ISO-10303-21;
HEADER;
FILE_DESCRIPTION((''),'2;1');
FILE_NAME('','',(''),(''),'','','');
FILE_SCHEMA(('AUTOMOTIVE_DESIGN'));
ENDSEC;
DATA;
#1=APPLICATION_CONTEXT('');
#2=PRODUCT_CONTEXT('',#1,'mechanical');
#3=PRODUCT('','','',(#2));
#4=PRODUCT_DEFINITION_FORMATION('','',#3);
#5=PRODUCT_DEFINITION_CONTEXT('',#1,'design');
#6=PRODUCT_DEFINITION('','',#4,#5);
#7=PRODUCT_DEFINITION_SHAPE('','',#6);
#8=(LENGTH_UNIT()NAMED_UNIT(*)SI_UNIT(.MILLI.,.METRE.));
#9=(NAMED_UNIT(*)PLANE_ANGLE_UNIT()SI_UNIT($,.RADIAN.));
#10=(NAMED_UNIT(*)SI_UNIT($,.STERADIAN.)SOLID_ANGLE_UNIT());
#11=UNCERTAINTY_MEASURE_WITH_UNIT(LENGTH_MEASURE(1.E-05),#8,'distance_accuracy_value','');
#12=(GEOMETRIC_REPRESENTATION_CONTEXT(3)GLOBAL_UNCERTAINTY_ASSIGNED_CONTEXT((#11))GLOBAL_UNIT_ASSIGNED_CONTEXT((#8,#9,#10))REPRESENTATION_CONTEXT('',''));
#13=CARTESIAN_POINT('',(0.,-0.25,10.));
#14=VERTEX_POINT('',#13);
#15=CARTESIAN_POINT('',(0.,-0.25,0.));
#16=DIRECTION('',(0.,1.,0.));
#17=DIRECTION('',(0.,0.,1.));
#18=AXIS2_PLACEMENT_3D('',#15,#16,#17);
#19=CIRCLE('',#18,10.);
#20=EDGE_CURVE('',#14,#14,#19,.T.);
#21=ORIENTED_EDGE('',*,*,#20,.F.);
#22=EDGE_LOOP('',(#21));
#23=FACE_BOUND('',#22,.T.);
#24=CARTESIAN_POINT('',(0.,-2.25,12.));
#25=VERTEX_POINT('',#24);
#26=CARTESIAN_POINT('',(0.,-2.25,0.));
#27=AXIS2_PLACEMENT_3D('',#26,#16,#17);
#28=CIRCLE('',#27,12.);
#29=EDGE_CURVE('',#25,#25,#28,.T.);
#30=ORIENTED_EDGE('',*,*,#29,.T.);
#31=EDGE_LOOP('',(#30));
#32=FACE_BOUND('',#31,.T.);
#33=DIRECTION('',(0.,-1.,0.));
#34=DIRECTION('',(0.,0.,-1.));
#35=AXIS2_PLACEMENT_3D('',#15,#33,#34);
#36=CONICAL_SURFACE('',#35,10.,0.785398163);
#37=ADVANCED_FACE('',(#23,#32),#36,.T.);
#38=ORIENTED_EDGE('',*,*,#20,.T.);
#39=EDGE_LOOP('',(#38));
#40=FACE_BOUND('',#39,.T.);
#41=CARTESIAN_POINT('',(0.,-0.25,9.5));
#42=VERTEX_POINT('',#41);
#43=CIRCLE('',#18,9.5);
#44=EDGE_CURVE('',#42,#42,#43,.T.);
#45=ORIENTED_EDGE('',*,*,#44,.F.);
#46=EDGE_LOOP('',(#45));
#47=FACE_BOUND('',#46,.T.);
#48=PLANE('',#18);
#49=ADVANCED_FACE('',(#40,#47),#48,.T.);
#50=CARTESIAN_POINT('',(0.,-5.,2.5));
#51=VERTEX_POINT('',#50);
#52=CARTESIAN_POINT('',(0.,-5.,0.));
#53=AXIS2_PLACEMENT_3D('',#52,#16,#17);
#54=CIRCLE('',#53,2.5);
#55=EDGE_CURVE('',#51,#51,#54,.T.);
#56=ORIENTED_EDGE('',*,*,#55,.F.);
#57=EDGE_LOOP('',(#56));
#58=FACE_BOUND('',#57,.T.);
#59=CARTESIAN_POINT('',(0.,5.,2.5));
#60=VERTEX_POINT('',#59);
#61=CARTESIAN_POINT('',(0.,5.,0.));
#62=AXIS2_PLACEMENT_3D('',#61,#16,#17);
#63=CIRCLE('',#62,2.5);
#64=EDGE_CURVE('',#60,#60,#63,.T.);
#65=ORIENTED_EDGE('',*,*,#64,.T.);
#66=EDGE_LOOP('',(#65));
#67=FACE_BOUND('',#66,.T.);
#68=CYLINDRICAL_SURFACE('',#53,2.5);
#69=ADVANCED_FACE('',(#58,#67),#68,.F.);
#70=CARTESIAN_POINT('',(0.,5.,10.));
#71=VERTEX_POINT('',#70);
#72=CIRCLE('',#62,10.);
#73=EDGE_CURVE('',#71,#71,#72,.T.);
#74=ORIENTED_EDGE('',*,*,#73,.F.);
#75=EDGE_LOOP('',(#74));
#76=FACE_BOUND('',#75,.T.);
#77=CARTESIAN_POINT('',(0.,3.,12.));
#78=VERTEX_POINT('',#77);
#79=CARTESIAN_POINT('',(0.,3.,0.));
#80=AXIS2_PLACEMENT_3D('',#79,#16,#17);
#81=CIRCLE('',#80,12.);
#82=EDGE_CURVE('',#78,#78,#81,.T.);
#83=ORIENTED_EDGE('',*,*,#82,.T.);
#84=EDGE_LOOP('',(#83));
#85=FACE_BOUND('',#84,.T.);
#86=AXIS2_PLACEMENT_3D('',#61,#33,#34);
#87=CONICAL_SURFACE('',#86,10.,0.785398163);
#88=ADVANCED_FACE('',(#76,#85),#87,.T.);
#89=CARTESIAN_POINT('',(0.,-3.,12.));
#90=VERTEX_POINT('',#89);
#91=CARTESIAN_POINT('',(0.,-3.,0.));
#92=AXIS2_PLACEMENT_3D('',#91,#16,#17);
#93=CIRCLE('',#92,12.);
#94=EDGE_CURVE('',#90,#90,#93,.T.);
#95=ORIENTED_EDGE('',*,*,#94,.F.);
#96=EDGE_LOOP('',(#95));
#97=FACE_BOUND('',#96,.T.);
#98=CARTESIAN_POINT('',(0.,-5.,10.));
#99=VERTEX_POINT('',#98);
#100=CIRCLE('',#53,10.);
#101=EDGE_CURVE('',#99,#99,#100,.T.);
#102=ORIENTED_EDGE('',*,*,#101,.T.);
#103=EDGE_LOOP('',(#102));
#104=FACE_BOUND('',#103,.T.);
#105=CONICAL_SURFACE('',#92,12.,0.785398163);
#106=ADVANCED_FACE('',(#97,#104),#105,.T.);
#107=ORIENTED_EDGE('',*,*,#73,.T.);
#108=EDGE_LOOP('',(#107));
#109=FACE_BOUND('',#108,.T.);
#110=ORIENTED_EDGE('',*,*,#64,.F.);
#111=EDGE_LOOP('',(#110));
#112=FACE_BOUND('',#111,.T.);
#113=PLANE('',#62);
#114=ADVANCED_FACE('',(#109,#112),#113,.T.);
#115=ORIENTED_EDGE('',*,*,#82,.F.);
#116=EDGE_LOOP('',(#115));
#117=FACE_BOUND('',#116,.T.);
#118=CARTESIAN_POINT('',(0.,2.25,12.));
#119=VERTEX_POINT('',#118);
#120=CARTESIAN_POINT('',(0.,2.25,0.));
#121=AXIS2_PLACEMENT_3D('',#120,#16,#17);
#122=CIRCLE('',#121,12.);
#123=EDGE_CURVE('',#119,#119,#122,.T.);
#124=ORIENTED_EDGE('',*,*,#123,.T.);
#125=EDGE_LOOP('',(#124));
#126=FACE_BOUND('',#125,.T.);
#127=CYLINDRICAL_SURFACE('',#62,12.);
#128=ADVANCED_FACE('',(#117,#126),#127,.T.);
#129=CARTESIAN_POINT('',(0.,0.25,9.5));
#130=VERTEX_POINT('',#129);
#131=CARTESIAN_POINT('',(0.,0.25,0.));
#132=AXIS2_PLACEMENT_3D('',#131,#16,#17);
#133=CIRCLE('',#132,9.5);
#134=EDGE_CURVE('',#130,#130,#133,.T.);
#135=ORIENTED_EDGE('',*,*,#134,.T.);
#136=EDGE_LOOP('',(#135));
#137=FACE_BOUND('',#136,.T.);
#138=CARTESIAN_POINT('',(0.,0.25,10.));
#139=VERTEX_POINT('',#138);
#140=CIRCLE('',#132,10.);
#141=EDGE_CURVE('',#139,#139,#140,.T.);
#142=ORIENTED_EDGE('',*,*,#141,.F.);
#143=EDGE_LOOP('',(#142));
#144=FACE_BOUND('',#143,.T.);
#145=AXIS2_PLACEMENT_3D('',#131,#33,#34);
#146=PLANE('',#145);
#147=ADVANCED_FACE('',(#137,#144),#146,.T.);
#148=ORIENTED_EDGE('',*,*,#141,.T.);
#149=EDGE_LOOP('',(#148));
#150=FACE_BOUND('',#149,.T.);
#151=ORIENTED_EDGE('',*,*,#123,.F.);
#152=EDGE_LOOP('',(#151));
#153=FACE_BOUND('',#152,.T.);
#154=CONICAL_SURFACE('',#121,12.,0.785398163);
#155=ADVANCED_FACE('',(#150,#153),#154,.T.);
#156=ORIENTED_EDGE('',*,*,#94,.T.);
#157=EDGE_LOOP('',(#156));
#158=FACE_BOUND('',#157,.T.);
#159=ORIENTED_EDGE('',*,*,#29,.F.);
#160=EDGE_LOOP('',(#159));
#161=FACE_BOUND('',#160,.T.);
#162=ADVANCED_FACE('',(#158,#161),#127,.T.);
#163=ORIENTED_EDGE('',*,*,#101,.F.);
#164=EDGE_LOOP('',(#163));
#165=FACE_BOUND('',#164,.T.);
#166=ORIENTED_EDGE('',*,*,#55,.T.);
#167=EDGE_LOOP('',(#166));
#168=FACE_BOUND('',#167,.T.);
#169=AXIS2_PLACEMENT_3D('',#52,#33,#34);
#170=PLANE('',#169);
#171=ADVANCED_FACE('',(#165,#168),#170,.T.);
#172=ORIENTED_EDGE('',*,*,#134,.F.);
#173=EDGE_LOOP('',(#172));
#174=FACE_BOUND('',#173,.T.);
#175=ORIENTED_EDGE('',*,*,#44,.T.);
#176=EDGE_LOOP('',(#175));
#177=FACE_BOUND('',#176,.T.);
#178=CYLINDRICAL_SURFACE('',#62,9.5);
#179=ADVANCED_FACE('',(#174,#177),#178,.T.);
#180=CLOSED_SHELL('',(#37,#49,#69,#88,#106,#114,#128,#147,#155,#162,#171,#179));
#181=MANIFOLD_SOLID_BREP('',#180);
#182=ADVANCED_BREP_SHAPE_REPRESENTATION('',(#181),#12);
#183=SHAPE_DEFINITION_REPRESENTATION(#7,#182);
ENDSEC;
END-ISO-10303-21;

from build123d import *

# Parameters (mm, degrees)
SKETCH_1_W          = 9.5
SKETCH_1_H          = 0.5
SKETCH_2_R          = 2.5
CUT_EXTRUDE_1_DEPTH = 20.697715604


with BuildPart() as part:
    # 草图1 → 旋转1 (revolve)
    with BuildSketch(Plane.XY, mode=Mode.PRIVATE) as revolve_1_sk:
        Polygon((10, 5), (0, 5), (0, 0.25), (9.5, 0.25), (10, 0.25), (12, 2.25), (12, 3), align=None)
        Polygon((9.5, -0.25), (0, -0.25), (0, -5), (10, -5), (12, -3), (12, -2.25), (10, -0.25), align=None)
        with Locations((4.75, 0)):
            Rectangle(SKETCH_1_W, SKETCH_1_H)
    revolve(revolve_1_sk.sketch.rotate(Axis((0, 5, 0), (0, -1, 0)), 90), axis=Axis((0, 5, 0), (0, -1, 0)))

    # 草图2 → 切除-拉伸1 (cut, through all)
    with BuildSketch(Plane(origin=(0, 5, 0), x_dir=(1, 0, 0), z_dir=(0, 1, 0))):
        with Locations(Location((0, 0, 0), (0, 0, 270))):
            Circle(SKETCH_2_R)
    extrude(amount=-CUT_EXTRUDE_1_DEPTH, mode=Mode.SUBTRACT)


solid = part.part
